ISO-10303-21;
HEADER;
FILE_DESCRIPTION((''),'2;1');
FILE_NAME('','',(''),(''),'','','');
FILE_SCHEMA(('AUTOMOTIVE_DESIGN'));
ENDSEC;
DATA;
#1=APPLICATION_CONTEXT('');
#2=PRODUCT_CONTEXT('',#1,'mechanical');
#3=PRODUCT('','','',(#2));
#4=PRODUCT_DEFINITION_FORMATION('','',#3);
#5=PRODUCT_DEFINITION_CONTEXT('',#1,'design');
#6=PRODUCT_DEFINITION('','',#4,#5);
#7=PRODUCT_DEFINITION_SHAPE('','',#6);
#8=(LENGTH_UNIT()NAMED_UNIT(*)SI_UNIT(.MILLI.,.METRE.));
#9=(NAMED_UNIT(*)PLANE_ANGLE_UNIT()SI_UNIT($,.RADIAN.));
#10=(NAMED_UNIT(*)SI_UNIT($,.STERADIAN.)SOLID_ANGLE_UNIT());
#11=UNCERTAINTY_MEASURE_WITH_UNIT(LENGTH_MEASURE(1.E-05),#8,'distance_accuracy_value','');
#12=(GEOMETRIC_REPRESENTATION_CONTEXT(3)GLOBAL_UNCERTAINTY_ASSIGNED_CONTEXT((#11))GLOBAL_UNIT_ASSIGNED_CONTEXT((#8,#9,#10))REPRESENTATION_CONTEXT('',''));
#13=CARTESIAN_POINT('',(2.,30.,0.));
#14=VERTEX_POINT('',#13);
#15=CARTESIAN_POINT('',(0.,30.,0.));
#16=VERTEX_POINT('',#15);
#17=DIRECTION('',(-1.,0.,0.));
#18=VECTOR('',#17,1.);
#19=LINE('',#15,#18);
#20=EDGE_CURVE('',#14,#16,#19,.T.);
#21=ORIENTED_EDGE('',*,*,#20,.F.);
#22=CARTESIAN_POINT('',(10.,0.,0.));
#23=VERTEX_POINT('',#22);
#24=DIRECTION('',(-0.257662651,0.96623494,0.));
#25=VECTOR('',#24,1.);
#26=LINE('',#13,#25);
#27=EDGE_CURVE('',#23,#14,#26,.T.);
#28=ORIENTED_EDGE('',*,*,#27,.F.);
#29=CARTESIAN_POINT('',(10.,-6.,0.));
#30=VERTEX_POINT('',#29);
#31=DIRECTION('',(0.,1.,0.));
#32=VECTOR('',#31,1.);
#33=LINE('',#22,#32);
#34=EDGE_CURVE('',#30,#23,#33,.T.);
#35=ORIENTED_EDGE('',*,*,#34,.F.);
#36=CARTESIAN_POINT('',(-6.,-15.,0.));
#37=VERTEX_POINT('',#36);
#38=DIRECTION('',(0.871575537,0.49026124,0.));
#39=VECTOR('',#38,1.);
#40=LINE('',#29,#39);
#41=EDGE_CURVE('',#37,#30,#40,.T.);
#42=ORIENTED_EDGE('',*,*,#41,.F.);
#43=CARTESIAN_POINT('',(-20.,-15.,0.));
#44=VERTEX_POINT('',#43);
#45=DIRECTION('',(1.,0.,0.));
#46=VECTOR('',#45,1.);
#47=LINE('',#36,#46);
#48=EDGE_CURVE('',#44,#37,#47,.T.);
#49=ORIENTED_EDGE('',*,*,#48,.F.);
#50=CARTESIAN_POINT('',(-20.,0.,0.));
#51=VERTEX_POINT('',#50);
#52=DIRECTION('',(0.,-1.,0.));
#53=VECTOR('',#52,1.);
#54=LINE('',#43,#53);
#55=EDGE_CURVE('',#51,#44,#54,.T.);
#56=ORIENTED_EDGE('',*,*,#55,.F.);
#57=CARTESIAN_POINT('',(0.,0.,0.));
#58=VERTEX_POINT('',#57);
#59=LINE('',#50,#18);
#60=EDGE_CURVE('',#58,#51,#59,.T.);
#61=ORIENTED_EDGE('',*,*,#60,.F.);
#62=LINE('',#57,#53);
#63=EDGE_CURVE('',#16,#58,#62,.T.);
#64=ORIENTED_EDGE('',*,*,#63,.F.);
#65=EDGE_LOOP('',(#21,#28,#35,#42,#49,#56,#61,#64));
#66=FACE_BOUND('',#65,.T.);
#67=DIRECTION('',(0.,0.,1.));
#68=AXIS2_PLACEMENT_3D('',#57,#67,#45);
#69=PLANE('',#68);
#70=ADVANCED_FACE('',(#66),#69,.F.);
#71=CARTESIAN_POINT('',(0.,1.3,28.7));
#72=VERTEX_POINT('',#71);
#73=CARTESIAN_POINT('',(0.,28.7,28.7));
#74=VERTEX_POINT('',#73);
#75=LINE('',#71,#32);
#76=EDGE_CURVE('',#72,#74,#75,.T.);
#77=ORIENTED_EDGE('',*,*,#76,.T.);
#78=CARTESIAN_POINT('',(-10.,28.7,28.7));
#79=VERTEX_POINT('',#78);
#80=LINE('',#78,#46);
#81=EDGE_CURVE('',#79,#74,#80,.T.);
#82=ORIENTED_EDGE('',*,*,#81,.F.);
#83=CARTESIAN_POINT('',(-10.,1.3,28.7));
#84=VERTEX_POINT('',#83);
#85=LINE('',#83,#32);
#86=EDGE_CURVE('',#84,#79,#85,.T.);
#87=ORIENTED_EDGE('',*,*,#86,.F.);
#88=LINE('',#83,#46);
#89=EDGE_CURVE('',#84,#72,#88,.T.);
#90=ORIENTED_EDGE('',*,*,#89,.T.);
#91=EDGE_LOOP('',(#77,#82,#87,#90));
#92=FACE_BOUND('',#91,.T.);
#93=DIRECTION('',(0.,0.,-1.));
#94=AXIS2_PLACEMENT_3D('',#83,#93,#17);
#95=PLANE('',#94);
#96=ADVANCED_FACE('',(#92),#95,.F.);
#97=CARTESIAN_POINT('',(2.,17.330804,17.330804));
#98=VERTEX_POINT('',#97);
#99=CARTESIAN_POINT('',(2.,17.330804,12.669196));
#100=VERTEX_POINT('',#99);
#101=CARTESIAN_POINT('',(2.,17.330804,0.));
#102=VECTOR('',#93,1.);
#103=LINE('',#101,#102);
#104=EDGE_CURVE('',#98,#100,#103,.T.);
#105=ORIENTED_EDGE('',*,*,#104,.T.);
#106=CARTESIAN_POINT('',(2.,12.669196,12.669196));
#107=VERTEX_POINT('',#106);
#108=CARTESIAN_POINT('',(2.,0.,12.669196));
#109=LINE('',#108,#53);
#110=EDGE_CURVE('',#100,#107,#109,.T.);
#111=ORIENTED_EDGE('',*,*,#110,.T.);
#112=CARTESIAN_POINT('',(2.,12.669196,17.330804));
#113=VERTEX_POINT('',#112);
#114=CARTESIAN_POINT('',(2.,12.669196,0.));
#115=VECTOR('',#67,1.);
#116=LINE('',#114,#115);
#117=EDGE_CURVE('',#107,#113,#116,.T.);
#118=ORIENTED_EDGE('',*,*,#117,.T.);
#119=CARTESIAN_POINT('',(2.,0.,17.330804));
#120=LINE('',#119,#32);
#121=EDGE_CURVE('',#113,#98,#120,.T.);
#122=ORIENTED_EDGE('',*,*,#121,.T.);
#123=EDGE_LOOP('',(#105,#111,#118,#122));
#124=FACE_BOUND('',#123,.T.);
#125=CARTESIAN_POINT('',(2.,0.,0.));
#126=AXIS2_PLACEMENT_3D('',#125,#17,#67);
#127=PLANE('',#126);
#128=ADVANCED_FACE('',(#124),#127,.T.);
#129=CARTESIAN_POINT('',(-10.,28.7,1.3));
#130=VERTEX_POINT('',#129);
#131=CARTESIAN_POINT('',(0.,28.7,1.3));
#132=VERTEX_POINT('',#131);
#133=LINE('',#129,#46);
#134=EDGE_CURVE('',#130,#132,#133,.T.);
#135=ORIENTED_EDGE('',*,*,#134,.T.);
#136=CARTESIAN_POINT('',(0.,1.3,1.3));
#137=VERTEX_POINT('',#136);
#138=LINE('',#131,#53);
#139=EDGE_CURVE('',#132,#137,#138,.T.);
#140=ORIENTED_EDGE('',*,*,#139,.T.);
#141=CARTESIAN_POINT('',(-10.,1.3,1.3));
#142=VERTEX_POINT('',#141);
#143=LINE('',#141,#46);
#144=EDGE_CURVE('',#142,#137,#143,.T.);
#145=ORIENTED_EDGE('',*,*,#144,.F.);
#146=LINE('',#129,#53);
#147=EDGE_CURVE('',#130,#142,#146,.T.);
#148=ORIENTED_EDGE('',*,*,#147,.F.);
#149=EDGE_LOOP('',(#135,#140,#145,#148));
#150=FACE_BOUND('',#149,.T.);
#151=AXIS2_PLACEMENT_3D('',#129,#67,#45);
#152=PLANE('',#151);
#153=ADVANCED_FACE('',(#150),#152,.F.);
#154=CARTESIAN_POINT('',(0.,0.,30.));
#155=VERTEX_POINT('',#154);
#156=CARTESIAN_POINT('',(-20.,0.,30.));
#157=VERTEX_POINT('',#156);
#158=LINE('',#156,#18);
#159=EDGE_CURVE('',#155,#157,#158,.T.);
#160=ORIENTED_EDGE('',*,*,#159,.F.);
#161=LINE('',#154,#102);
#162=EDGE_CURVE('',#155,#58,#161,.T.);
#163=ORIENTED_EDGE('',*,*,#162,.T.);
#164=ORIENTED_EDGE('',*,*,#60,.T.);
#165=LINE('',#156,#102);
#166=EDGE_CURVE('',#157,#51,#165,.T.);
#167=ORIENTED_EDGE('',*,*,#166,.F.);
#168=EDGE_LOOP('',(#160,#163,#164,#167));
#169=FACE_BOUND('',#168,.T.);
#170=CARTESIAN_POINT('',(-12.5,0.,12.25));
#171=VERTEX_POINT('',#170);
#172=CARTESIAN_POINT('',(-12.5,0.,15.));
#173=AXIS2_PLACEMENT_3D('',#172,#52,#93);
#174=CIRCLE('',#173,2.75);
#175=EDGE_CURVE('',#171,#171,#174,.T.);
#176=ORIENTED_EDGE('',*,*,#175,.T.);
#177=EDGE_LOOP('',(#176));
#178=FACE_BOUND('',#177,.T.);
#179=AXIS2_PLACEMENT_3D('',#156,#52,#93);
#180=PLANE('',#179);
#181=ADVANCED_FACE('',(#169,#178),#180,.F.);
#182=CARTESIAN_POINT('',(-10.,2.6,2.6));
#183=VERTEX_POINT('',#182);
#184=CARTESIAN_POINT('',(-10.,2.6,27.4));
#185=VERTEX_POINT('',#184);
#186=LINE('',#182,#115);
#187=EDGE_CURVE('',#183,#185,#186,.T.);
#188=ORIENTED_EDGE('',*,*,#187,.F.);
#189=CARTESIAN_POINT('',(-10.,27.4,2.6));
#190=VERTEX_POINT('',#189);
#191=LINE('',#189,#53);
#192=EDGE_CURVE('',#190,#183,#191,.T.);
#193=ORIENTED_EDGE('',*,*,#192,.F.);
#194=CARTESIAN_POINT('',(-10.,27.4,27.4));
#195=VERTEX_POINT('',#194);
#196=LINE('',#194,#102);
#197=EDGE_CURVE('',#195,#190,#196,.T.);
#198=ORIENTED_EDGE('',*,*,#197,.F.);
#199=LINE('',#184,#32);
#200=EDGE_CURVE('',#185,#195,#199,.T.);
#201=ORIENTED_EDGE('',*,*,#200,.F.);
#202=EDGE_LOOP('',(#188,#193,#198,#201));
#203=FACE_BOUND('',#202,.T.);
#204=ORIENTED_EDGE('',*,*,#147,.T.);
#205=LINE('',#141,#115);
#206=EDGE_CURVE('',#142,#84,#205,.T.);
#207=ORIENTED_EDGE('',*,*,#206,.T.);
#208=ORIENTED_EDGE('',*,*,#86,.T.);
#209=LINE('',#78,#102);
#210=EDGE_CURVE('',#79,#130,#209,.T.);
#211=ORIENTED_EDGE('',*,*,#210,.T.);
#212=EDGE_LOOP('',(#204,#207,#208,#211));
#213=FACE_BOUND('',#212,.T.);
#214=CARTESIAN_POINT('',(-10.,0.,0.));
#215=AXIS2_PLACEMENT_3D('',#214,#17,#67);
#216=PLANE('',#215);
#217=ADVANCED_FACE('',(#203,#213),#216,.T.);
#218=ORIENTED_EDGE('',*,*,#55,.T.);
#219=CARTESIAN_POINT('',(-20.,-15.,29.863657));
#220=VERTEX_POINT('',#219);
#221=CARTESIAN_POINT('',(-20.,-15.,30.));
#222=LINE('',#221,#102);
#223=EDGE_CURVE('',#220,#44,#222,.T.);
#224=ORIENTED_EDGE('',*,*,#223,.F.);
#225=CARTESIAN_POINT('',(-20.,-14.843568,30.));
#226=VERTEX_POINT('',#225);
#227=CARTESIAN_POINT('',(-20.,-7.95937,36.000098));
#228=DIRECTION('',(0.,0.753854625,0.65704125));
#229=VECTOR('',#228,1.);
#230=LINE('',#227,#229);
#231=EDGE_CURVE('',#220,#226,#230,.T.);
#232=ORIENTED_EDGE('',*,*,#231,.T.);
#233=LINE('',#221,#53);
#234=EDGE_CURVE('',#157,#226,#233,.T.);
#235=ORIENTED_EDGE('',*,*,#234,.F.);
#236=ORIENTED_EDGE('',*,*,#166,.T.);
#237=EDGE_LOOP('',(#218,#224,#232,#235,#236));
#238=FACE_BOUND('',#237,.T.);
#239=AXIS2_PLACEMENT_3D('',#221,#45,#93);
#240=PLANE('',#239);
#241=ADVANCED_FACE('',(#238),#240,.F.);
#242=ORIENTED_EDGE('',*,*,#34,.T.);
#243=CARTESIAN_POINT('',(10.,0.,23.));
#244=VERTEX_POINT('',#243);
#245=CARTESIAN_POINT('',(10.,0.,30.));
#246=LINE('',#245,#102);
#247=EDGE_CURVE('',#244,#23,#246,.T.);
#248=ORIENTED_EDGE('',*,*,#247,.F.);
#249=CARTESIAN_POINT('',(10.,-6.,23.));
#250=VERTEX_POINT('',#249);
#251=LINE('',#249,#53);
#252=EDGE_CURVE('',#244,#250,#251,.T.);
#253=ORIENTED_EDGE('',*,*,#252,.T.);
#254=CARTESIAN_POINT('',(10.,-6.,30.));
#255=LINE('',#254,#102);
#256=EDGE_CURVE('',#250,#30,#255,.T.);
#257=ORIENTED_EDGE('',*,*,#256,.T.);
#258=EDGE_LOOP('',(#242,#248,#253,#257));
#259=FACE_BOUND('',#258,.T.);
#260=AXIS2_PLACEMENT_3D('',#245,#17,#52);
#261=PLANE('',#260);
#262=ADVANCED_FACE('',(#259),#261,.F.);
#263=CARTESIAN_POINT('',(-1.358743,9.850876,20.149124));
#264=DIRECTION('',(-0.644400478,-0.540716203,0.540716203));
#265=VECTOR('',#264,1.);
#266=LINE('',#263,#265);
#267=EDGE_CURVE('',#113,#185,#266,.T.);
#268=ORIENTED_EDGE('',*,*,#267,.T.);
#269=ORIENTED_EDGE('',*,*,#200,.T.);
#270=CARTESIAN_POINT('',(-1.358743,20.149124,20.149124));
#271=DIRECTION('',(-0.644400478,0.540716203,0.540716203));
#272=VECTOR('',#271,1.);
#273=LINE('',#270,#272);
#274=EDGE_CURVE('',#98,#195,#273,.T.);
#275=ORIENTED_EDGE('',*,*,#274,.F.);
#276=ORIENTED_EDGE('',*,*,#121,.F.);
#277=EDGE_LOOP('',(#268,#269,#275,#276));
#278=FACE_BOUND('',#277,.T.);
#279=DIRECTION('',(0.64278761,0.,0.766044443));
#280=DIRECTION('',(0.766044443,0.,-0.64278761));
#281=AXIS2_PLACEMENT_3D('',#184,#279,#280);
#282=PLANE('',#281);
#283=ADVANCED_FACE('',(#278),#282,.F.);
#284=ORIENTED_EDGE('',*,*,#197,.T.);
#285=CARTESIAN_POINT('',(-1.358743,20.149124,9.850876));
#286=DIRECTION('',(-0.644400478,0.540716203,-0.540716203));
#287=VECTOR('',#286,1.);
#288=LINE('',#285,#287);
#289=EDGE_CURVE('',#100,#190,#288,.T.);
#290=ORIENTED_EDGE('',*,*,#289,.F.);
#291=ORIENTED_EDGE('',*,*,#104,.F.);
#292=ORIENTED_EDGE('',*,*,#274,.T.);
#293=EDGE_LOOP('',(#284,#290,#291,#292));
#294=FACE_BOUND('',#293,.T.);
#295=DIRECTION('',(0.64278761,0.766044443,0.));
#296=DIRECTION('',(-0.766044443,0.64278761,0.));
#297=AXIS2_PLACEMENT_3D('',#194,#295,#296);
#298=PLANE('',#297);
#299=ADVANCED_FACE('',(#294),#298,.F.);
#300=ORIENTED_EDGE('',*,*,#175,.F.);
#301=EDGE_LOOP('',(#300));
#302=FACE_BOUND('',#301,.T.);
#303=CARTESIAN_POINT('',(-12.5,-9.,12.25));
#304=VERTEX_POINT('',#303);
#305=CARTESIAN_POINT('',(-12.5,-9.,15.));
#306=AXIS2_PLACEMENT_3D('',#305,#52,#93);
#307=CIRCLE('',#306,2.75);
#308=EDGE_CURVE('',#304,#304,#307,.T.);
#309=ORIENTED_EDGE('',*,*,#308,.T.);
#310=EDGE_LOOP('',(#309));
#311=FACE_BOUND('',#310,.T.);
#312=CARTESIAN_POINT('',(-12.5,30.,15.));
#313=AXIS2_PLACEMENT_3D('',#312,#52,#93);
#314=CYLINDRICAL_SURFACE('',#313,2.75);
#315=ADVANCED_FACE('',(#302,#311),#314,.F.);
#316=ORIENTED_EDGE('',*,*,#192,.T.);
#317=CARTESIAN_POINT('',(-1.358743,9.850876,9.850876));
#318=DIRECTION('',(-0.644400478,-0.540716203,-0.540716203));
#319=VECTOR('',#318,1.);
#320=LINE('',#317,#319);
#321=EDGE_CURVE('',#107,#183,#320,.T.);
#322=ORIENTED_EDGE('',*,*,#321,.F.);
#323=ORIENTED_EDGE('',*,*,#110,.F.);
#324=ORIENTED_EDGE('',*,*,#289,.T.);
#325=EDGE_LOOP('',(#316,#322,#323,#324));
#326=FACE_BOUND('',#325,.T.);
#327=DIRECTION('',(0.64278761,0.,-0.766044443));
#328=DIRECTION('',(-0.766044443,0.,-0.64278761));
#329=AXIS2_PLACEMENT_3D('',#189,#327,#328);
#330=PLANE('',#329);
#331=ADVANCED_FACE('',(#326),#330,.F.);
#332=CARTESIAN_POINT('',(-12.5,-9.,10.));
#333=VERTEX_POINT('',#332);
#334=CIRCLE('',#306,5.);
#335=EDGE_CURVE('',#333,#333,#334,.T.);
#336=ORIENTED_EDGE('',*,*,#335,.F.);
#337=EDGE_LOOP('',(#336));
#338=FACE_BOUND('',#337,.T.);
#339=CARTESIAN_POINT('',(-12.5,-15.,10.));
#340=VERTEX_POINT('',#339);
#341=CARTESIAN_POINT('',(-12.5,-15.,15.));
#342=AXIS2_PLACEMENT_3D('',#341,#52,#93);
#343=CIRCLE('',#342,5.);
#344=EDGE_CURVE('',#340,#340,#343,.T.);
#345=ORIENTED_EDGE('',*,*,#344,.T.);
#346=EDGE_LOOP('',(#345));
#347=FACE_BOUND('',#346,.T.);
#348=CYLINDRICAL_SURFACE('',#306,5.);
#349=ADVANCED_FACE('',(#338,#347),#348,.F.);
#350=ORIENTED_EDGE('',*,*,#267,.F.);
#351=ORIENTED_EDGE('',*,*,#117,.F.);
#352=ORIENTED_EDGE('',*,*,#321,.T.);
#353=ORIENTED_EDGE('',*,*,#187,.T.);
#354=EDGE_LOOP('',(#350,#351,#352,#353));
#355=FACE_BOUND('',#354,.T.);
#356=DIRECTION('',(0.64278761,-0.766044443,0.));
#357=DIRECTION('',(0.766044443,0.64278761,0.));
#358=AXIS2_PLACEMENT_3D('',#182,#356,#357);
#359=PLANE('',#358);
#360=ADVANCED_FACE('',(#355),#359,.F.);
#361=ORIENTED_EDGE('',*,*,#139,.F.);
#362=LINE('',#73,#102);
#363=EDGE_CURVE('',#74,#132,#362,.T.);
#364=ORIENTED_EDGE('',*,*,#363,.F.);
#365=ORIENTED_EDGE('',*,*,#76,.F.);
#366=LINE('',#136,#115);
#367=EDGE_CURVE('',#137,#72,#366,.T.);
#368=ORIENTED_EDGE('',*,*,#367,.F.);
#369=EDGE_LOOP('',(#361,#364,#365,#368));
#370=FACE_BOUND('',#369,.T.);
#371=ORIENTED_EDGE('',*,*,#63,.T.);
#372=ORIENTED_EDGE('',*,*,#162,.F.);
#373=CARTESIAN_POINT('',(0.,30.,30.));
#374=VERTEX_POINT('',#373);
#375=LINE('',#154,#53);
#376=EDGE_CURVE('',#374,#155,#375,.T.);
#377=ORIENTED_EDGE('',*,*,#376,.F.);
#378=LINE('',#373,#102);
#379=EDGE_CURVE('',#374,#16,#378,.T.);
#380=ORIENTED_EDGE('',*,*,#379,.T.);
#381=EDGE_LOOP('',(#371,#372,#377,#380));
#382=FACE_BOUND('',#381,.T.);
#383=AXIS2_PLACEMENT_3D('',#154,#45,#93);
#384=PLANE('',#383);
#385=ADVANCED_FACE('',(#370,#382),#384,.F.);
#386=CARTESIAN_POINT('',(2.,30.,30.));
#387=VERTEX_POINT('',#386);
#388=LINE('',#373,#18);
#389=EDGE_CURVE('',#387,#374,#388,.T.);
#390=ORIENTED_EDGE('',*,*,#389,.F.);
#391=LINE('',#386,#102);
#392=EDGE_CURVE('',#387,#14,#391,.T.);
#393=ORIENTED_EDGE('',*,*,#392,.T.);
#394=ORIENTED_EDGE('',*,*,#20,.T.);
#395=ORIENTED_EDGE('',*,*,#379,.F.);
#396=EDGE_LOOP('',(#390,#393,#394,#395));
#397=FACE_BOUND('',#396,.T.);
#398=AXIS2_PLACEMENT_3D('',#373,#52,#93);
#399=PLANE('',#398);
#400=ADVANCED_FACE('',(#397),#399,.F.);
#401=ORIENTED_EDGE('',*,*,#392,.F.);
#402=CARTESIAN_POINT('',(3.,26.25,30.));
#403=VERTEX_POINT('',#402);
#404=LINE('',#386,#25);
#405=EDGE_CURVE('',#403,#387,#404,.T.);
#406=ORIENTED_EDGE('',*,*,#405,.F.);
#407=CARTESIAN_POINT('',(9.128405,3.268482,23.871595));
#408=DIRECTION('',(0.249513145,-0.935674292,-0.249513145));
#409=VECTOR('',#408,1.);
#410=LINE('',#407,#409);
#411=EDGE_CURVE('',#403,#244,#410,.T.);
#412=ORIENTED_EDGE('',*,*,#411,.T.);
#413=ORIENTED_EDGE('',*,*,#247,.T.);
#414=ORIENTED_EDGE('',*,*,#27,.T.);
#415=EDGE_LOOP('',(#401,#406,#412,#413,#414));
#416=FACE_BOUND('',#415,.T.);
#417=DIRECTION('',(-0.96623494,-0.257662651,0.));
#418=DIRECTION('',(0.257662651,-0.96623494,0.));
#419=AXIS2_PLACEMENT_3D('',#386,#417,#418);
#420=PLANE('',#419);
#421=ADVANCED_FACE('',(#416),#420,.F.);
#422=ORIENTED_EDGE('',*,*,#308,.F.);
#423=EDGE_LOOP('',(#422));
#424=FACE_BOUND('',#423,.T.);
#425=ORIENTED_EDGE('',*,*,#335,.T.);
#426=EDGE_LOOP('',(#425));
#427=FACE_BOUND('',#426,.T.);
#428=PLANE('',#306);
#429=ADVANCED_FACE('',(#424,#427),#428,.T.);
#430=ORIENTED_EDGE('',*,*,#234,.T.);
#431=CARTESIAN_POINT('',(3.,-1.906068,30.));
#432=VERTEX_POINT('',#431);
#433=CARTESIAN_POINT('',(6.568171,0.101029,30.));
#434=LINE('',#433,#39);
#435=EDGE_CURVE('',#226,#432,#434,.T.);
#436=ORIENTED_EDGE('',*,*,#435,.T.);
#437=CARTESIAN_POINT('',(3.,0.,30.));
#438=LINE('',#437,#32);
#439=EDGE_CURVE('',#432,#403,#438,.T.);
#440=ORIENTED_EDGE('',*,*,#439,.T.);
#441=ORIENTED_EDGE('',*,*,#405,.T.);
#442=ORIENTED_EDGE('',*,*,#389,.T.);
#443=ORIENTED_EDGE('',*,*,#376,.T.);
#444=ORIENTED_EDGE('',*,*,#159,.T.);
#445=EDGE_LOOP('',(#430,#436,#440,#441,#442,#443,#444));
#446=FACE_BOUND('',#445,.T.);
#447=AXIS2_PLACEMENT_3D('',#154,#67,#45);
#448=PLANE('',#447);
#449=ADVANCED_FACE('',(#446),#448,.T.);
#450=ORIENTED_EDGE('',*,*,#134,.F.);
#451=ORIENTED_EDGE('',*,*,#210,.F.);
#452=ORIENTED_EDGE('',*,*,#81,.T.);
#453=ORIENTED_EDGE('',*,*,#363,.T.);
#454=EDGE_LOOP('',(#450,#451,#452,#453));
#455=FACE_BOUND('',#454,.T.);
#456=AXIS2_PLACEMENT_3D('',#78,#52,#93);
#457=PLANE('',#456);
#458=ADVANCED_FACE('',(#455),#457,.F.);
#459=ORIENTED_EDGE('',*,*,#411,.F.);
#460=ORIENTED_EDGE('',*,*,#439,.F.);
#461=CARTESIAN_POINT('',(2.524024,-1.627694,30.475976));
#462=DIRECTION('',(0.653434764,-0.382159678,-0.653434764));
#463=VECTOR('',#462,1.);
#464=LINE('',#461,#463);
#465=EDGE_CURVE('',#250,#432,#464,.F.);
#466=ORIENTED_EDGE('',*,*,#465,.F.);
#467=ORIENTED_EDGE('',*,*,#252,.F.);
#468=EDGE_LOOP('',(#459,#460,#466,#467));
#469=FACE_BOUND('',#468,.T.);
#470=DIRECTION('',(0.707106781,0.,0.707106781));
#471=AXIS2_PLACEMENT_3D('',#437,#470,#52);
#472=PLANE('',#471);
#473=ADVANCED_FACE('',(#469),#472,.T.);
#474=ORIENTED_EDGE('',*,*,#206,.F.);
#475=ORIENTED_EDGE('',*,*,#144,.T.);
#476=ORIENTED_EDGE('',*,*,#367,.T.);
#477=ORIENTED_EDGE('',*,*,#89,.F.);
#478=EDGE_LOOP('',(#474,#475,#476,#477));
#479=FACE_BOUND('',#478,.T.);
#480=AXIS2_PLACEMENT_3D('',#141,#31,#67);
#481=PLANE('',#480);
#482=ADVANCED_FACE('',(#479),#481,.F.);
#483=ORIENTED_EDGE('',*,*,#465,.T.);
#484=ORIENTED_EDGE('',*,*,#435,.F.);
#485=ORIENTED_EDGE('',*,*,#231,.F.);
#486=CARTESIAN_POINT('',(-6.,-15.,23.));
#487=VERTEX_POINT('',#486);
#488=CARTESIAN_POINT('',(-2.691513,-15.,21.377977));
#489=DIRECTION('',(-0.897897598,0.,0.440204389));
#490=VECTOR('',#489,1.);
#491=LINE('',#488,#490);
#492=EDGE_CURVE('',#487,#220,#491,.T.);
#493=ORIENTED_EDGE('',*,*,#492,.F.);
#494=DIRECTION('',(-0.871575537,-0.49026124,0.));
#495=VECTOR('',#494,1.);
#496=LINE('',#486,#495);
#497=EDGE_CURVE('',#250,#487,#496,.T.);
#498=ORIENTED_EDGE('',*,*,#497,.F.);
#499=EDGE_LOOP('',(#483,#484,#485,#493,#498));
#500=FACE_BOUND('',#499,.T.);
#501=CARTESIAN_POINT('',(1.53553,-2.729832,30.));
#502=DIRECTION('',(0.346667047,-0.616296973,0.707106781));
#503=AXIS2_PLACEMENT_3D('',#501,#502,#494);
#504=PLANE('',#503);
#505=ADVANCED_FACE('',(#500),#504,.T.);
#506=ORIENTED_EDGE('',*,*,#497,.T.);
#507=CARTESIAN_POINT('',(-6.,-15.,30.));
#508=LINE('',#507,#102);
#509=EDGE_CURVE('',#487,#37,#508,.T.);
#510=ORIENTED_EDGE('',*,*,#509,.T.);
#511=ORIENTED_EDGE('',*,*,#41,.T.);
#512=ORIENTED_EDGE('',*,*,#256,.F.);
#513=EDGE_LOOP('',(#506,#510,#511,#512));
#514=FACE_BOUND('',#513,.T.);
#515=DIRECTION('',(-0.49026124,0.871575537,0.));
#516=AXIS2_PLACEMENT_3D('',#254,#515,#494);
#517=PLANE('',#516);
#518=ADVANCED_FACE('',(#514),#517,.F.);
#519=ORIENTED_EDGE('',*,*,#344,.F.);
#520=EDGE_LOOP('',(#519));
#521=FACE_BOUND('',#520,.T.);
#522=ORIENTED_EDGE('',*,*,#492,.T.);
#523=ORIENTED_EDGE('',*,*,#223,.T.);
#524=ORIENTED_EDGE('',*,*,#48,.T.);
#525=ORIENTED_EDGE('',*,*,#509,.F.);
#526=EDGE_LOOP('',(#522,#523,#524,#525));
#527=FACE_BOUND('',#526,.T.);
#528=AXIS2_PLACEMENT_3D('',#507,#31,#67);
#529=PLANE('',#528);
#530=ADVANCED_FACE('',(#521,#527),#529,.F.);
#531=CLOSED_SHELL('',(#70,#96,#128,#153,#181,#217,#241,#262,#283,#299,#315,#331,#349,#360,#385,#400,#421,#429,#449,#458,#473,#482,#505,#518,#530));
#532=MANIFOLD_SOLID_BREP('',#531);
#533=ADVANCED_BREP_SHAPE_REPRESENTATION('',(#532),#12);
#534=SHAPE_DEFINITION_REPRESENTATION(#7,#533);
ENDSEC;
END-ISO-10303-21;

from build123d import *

# Parameters (mm, degrees)
RESSALTO_EXTRUS_O1_DEPTH = 30
ESBO_O2_R                = 5
CORTE_EXTRUS_O1_DEPTH    = 6
CHANFRO1_SIZE            = 7
ESBO_O3_R                = 2.75
CORTE_EXTRUS_O2_DEPTH    = 54.1130869
ESBO_O4_W                = 27.4
ESBO_O4_H                = 27.4
RESSALTO_EXTRUS_O2_DEPTH = 10
ESBO_O5_W                = 24.8
ESBO_O5_H                = 24.8
CORTE_EXTRUS_O3_DEPTH    = 12
CORTE_EXTRUS_O3_DRAFT    = -40


with BuildPart() as part:
    # Esboço1 → Ressalto-extrusão1 (new body)
    with BuildSketch(Plane.XY):
        Polygon((0, 0), (0, 30), (2, 30), (10, 0), (10, -6), (-6, -15), (-20, -15), (-20, 0), align=None)
    extrude(amount=RESSALTO_EXTRUS_O1_DEPTH)

    # Esboço2 → Corte-extrusão1 (cut)
    with BuildSketch(Plane.XZ.offset(15)):
        with Locations(Location((-12.5, 15, 0), (0, 0, 270))):
            Circle(ESBO_O2_R)
    extrude(amount=-CORTE_EXTRUS_O1_DEPTH, mode=Mode.SUBTRACT)

    # Chanfro1
    chanfro1_edges = [part.edges().sort_by_distance(p)[0] for p in [
        (2, -10.5, 30),
        (10, -3, 30),
    ]]
    chamfer(chanfro1_edges, length=CHANFRO1_SIZE)

    # Esboço3 → Corte-extrusão2 (cut, through all)
    with BuildSketch(Plane.XZ.offset(9)):
        with Locations(Location((-12.5, 15, 0), (0, 0, 270))):
            Circle(ESBO_O3_R)
    extrude(amount=-CORTE_EXTRUS_O2_DEPTH, mode=Mode.SUBTRACT)

    # Esboço4 → Ressalto-extrusão2 (add)
    with BuildSketch(Plane.ZY):
        with Locations((15, 15)):
            Rectangle(ESBO_O4_W, ESBO_O4_H)
    extrude(amount=RESSALTO_EXTRUS_O2_DEPTH)


with BuildPart() as corte_extrus_o3_tool:
    # Esboço5 → Corte-extrusão3 (with draft: the straight prism first)
    with BuildSketch(Plane.ZY.offset(10)):
        with Locations((15, 15)):
            Rectangle(ESBO_O5_W, ESBO_O5_H)
    extrude(amount=-CORTE_EXTRUS_O3_DEPTH)
    # Corte-extrusão3: the draft: its side faces are tilted about the plane it starts from
    corte_extrus_o3_sides = [corte_extrus_o3_tool.faces().sort_by_distance(p)[0] for p in [
        (-4, 27.4, 15),
        (-4, 15, 2.6),
        (-4, 2.6, 15),
        (-4, 15, 27.4),
    ]]
    draft(corte_extrus_o3_sides, Plane.ZY.offset(10), CORTE_EXTRUS_O3_DRAFT)


with BuildPart() as part_1:
    add(part.part)

    # Corte-extrusão3: cut by corte_extrus_o3_tool
    add(corte_extrus_o3_tool.part, mode=Mode.SUBTRACT)


solid = part_1.part
